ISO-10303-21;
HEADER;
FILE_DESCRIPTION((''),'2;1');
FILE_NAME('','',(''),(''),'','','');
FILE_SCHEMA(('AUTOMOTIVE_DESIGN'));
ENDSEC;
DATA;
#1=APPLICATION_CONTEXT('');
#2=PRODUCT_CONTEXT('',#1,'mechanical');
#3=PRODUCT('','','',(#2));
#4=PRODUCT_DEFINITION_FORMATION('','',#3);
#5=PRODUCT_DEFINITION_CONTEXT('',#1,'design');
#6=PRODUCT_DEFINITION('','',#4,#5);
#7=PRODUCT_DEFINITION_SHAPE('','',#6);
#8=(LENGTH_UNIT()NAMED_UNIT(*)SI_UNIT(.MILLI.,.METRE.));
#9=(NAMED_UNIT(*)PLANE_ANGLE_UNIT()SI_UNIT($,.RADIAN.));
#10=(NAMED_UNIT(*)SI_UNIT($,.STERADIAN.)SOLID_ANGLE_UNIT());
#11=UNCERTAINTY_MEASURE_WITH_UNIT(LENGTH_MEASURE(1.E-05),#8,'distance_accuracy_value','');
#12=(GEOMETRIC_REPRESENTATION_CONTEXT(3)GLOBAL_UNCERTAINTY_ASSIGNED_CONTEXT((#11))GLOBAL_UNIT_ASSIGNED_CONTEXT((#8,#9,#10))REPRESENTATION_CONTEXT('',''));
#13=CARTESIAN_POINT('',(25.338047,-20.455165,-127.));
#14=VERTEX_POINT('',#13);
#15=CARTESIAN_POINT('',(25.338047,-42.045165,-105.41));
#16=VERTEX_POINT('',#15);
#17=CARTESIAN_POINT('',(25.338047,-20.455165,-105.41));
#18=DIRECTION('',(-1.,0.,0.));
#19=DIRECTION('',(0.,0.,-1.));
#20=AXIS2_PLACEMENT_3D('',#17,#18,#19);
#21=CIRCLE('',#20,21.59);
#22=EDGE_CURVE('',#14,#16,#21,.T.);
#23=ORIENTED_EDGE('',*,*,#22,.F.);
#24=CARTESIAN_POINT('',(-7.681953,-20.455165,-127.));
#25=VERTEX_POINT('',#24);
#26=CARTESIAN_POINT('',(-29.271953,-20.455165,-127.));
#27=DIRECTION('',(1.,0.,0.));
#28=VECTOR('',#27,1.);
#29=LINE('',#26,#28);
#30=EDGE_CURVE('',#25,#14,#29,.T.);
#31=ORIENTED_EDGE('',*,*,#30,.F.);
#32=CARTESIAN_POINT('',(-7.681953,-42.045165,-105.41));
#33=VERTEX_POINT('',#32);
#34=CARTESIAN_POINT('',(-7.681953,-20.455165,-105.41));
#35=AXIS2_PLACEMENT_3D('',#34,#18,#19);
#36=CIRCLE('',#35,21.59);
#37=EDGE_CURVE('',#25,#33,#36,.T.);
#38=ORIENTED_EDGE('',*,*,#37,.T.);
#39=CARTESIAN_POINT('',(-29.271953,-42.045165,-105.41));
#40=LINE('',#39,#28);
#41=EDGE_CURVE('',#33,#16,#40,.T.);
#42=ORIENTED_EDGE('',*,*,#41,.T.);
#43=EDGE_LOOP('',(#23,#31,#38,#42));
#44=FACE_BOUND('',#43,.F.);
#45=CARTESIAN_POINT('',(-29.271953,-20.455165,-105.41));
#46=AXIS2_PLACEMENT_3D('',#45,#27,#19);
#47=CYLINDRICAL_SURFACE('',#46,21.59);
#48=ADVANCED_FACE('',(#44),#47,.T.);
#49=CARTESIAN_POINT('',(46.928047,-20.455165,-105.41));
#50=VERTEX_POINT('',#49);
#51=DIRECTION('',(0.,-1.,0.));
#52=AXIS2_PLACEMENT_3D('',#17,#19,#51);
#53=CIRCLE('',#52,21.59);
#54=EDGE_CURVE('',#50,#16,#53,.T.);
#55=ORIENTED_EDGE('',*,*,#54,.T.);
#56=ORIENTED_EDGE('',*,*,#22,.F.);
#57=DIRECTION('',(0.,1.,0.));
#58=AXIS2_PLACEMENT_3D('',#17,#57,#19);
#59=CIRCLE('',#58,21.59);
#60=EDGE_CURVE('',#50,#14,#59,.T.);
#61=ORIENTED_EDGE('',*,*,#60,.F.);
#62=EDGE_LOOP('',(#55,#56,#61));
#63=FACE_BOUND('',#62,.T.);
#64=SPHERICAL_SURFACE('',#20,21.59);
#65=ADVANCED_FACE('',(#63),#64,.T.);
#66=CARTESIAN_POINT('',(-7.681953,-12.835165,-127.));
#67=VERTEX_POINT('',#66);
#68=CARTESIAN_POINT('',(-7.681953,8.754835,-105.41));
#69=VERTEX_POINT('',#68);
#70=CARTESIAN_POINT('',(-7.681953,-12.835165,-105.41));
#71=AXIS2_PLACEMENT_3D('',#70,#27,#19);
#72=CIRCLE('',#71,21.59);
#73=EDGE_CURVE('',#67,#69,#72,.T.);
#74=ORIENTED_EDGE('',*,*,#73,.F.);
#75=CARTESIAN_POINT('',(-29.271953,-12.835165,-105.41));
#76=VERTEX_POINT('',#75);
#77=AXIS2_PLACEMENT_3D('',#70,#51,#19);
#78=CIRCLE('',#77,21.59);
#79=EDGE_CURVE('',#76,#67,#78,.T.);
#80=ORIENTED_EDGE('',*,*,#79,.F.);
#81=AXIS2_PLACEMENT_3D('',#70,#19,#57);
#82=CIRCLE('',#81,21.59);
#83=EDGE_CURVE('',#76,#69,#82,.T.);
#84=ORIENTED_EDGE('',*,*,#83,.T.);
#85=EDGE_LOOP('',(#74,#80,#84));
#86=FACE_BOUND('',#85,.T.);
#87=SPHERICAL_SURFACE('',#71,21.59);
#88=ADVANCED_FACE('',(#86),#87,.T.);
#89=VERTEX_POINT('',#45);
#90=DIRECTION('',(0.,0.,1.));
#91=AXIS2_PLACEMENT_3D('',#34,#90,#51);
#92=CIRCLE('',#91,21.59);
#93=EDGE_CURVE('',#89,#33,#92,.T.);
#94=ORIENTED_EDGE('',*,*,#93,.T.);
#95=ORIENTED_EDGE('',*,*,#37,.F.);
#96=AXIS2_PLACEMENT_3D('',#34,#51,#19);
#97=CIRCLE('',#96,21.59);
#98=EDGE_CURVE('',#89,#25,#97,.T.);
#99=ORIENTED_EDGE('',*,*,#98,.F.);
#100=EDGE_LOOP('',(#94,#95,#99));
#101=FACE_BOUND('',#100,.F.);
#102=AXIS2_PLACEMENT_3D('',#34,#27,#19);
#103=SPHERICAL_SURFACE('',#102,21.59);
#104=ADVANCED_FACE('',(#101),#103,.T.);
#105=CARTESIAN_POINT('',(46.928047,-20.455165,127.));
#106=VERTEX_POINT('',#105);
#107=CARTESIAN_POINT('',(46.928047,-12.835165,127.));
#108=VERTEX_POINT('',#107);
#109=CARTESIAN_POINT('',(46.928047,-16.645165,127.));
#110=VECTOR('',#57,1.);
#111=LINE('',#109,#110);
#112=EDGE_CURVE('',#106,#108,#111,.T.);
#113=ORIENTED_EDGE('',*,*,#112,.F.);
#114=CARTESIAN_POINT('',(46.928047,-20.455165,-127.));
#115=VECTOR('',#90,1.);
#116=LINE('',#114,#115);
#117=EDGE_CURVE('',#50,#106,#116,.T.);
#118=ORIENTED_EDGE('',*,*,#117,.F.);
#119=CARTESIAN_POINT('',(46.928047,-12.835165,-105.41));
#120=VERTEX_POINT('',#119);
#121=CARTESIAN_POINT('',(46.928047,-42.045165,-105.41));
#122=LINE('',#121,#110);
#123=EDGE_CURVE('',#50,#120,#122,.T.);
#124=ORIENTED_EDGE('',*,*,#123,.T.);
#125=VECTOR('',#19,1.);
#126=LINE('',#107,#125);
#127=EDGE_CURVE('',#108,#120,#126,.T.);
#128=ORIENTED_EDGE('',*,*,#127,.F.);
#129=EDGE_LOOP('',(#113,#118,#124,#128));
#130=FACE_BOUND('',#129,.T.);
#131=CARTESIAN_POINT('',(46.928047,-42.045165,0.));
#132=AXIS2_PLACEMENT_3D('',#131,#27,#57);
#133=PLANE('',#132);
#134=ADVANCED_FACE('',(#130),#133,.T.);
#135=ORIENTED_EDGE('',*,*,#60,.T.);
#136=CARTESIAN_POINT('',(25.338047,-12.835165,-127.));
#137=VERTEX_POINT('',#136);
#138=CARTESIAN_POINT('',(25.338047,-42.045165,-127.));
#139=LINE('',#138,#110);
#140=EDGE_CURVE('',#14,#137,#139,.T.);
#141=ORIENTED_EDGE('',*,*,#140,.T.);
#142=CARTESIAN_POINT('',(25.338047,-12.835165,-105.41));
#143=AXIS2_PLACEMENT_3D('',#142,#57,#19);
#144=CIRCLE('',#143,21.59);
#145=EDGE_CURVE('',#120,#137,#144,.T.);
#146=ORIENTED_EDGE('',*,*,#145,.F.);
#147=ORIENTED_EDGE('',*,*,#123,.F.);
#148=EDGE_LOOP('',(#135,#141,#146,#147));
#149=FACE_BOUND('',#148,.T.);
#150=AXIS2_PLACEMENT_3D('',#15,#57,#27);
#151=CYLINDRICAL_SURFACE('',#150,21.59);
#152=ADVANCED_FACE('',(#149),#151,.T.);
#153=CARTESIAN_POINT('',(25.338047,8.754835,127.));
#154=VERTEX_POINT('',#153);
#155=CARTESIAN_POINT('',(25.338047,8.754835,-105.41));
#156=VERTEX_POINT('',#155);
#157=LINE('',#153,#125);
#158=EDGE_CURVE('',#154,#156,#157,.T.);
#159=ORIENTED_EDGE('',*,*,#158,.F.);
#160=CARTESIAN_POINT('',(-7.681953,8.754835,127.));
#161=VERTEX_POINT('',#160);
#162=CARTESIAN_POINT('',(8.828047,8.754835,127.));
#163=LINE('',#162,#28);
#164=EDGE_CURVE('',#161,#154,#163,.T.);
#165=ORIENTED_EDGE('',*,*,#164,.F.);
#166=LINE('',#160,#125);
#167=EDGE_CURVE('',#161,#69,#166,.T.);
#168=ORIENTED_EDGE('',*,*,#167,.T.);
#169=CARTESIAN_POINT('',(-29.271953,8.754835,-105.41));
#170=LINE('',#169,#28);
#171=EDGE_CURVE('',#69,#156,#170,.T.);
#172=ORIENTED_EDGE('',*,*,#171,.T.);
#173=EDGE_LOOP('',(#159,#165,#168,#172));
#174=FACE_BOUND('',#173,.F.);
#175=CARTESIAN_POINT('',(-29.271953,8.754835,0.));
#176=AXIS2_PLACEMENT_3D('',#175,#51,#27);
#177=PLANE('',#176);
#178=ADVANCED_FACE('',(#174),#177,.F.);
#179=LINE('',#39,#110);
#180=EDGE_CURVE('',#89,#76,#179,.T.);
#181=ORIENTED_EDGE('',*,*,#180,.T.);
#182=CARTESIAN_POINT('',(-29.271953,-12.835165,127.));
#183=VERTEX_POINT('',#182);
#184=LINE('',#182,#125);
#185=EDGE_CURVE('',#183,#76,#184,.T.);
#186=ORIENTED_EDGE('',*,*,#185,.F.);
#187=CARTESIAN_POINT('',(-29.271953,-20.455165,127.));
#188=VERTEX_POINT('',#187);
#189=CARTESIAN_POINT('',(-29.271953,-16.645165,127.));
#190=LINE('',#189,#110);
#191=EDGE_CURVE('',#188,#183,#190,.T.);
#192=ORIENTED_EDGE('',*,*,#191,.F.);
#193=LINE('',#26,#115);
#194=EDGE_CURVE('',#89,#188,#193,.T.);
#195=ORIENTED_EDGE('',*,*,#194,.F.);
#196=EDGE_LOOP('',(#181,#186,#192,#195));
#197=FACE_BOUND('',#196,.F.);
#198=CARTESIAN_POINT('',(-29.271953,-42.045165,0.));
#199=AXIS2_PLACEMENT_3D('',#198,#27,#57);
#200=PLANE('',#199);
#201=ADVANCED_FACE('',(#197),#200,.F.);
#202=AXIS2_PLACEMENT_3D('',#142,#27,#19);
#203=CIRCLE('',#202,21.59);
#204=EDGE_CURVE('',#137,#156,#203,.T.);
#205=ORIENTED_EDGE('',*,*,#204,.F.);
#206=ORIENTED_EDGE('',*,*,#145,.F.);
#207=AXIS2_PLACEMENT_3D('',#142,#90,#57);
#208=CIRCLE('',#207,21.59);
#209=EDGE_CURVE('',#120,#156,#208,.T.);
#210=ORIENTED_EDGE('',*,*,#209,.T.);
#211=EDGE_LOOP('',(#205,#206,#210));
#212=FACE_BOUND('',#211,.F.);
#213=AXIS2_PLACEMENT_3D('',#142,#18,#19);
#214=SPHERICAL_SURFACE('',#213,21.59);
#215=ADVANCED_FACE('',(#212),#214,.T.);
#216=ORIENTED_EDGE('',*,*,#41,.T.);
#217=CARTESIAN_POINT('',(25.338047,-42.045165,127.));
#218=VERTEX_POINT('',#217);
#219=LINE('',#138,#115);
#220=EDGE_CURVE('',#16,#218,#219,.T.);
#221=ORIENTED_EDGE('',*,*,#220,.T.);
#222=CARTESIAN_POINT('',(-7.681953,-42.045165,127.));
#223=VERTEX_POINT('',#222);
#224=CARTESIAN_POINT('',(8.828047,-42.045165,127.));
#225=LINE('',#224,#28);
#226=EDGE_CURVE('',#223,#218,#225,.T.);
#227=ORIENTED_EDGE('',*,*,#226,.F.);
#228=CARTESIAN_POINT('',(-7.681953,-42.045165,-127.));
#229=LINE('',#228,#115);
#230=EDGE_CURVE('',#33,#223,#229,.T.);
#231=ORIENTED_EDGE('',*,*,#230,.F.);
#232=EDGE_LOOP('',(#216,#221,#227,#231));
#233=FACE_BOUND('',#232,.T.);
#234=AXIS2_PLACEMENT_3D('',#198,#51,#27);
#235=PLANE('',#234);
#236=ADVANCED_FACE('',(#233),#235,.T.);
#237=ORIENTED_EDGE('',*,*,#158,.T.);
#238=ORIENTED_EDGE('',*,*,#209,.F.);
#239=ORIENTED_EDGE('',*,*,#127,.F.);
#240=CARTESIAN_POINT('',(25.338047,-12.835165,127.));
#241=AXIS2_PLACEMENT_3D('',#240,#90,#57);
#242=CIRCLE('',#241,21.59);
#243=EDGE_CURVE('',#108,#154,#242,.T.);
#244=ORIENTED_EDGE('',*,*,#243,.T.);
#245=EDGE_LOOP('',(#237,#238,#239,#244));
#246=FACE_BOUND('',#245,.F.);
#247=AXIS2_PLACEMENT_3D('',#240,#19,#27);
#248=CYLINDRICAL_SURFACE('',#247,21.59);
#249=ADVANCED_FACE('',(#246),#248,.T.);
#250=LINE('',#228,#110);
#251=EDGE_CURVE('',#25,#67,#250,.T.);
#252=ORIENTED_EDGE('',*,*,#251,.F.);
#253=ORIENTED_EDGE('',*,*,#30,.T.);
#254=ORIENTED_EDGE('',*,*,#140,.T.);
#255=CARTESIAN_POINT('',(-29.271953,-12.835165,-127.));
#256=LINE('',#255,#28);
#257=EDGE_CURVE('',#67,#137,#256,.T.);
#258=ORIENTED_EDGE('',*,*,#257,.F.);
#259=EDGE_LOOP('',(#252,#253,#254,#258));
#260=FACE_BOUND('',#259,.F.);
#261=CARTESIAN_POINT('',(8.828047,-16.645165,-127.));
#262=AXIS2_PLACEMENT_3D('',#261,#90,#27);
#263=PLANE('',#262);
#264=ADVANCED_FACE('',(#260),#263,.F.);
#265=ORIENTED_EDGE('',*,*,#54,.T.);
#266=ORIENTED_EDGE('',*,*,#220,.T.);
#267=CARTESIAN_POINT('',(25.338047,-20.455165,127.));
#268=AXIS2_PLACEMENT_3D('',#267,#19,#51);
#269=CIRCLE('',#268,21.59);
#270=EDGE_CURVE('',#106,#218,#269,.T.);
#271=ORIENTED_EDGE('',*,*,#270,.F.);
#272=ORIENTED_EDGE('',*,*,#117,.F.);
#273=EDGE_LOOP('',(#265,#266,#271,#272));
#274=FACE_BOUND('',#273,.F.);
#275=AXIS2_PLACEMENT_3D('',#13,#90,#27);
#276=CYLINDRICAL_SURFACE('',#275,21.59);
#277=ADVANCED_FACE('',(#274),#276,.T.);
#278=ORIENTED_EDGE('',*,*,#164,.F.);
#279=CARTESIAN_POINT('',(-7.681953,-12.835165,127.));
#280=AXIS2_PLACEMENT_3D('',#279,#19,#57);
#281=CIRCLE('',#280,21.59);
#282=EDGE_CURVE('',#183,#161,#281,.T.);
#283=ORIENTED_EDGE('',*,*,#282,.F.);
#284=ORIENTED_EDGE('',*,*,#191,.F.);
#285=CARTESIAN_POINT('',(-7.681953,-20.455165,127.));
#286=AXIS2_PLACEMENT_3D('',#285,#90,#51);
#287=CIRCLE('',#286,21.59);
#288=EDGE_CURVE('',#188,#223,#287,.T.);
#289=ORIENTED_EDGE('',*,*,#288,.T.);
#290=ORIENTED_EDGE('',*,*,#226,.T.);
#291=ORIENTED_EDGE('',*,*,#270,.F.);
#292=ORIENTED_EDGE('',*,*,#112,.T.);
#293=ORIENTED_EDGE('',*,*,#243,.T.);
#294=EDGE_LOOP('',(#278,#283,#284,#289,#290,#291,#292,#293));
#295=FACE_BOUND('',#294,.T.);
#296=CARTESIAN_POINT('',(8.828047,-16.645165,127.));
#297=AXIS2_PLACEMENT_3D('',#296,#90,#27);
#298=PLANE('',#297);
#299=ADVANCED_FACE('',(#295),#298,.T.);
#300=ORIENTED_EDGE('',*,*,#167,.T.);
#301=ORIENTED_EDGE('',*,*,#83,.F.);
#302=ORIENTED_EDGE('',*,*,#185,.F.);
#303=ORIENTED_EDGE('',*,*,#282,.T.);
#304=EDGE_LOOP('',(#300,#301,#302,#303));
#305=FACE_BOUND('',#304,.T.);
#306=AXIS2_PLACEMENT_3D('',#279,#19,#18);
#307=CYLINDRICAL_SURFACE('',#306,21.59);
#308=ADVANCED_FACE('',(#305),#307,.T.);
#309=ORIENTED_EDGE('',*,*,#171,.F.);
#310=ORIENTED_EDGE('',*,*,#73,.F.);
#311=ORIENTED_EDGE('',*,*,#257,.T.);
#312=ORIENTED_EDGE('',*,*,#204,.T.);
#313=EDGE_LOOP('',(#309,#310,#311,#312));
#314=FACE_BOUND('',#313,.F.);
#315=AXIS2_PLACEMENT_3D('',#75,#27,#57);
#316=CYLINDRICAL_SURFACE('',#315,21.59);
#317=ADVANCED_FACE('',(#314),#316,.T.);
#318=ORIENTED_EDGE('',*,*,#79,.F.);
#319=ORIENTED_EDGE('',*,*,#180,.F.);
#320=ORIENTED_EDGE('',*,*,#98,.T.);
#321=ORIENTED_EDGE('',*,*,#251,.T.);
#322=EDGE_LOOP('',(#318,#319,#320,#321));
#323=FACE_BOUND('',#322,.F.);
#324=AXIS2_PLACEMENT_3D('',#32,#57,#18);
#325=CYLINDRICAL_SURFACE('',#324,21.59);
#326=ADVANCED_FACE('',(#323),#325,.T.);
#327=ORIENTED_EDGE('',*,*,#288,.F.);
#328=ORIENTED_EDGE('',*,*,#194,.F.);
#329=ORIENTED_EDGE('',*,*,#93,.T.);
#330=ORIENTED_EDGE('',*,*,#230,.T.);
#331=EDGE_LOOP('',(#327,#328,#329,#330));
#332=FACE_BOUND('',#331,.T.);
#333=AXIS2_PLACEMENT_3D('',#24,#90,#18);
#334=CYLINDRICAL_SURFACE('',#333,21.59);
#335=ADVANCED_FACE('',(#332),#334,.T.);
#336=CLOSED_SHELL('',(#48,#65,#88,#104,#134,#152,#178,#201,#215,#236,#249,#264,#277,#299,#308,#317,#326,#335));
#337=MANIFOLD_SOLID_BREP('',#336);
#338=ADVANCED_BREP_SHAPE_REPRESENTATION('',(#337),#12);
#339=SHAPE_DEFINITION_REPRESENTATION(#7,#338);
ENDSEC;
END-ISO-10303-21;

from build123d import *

# Parameters (mm, degrees)
F0_W     = 76.2
F0_H     = 50.8
F1_DEPTH = 127
F2_R     = 21.59


with BuildPart() as f1:
    # F0 (on Top) → F1 (new body, symmetric)
    with BuildSketch(Plane.XY):
        with Locations((8.828047, -16.645165)):
            Rectangle(F0_W, F0_H)
    extrude(amount=F1_DEPTH, both=True)

    # F2
    f2_edges = [f1.edges().sort_by_distance(p)[0] for p in [
        (8.828047, -42.045165, -127),
        (8.828047, 8.754835, -127),
        (46.928047, -16.645165, -127),
        (-29.271953, -16.645165, -127),
        (-29.271953, 8.754835, 0),
        (-29.271953, -42.045165, 0),
        (46.928047, -42.045165, 0),
        (46.928047, 8.754835, 0),
    ]]
    fillet(f2_edges, radius=F2_R)


solid = f1.part
